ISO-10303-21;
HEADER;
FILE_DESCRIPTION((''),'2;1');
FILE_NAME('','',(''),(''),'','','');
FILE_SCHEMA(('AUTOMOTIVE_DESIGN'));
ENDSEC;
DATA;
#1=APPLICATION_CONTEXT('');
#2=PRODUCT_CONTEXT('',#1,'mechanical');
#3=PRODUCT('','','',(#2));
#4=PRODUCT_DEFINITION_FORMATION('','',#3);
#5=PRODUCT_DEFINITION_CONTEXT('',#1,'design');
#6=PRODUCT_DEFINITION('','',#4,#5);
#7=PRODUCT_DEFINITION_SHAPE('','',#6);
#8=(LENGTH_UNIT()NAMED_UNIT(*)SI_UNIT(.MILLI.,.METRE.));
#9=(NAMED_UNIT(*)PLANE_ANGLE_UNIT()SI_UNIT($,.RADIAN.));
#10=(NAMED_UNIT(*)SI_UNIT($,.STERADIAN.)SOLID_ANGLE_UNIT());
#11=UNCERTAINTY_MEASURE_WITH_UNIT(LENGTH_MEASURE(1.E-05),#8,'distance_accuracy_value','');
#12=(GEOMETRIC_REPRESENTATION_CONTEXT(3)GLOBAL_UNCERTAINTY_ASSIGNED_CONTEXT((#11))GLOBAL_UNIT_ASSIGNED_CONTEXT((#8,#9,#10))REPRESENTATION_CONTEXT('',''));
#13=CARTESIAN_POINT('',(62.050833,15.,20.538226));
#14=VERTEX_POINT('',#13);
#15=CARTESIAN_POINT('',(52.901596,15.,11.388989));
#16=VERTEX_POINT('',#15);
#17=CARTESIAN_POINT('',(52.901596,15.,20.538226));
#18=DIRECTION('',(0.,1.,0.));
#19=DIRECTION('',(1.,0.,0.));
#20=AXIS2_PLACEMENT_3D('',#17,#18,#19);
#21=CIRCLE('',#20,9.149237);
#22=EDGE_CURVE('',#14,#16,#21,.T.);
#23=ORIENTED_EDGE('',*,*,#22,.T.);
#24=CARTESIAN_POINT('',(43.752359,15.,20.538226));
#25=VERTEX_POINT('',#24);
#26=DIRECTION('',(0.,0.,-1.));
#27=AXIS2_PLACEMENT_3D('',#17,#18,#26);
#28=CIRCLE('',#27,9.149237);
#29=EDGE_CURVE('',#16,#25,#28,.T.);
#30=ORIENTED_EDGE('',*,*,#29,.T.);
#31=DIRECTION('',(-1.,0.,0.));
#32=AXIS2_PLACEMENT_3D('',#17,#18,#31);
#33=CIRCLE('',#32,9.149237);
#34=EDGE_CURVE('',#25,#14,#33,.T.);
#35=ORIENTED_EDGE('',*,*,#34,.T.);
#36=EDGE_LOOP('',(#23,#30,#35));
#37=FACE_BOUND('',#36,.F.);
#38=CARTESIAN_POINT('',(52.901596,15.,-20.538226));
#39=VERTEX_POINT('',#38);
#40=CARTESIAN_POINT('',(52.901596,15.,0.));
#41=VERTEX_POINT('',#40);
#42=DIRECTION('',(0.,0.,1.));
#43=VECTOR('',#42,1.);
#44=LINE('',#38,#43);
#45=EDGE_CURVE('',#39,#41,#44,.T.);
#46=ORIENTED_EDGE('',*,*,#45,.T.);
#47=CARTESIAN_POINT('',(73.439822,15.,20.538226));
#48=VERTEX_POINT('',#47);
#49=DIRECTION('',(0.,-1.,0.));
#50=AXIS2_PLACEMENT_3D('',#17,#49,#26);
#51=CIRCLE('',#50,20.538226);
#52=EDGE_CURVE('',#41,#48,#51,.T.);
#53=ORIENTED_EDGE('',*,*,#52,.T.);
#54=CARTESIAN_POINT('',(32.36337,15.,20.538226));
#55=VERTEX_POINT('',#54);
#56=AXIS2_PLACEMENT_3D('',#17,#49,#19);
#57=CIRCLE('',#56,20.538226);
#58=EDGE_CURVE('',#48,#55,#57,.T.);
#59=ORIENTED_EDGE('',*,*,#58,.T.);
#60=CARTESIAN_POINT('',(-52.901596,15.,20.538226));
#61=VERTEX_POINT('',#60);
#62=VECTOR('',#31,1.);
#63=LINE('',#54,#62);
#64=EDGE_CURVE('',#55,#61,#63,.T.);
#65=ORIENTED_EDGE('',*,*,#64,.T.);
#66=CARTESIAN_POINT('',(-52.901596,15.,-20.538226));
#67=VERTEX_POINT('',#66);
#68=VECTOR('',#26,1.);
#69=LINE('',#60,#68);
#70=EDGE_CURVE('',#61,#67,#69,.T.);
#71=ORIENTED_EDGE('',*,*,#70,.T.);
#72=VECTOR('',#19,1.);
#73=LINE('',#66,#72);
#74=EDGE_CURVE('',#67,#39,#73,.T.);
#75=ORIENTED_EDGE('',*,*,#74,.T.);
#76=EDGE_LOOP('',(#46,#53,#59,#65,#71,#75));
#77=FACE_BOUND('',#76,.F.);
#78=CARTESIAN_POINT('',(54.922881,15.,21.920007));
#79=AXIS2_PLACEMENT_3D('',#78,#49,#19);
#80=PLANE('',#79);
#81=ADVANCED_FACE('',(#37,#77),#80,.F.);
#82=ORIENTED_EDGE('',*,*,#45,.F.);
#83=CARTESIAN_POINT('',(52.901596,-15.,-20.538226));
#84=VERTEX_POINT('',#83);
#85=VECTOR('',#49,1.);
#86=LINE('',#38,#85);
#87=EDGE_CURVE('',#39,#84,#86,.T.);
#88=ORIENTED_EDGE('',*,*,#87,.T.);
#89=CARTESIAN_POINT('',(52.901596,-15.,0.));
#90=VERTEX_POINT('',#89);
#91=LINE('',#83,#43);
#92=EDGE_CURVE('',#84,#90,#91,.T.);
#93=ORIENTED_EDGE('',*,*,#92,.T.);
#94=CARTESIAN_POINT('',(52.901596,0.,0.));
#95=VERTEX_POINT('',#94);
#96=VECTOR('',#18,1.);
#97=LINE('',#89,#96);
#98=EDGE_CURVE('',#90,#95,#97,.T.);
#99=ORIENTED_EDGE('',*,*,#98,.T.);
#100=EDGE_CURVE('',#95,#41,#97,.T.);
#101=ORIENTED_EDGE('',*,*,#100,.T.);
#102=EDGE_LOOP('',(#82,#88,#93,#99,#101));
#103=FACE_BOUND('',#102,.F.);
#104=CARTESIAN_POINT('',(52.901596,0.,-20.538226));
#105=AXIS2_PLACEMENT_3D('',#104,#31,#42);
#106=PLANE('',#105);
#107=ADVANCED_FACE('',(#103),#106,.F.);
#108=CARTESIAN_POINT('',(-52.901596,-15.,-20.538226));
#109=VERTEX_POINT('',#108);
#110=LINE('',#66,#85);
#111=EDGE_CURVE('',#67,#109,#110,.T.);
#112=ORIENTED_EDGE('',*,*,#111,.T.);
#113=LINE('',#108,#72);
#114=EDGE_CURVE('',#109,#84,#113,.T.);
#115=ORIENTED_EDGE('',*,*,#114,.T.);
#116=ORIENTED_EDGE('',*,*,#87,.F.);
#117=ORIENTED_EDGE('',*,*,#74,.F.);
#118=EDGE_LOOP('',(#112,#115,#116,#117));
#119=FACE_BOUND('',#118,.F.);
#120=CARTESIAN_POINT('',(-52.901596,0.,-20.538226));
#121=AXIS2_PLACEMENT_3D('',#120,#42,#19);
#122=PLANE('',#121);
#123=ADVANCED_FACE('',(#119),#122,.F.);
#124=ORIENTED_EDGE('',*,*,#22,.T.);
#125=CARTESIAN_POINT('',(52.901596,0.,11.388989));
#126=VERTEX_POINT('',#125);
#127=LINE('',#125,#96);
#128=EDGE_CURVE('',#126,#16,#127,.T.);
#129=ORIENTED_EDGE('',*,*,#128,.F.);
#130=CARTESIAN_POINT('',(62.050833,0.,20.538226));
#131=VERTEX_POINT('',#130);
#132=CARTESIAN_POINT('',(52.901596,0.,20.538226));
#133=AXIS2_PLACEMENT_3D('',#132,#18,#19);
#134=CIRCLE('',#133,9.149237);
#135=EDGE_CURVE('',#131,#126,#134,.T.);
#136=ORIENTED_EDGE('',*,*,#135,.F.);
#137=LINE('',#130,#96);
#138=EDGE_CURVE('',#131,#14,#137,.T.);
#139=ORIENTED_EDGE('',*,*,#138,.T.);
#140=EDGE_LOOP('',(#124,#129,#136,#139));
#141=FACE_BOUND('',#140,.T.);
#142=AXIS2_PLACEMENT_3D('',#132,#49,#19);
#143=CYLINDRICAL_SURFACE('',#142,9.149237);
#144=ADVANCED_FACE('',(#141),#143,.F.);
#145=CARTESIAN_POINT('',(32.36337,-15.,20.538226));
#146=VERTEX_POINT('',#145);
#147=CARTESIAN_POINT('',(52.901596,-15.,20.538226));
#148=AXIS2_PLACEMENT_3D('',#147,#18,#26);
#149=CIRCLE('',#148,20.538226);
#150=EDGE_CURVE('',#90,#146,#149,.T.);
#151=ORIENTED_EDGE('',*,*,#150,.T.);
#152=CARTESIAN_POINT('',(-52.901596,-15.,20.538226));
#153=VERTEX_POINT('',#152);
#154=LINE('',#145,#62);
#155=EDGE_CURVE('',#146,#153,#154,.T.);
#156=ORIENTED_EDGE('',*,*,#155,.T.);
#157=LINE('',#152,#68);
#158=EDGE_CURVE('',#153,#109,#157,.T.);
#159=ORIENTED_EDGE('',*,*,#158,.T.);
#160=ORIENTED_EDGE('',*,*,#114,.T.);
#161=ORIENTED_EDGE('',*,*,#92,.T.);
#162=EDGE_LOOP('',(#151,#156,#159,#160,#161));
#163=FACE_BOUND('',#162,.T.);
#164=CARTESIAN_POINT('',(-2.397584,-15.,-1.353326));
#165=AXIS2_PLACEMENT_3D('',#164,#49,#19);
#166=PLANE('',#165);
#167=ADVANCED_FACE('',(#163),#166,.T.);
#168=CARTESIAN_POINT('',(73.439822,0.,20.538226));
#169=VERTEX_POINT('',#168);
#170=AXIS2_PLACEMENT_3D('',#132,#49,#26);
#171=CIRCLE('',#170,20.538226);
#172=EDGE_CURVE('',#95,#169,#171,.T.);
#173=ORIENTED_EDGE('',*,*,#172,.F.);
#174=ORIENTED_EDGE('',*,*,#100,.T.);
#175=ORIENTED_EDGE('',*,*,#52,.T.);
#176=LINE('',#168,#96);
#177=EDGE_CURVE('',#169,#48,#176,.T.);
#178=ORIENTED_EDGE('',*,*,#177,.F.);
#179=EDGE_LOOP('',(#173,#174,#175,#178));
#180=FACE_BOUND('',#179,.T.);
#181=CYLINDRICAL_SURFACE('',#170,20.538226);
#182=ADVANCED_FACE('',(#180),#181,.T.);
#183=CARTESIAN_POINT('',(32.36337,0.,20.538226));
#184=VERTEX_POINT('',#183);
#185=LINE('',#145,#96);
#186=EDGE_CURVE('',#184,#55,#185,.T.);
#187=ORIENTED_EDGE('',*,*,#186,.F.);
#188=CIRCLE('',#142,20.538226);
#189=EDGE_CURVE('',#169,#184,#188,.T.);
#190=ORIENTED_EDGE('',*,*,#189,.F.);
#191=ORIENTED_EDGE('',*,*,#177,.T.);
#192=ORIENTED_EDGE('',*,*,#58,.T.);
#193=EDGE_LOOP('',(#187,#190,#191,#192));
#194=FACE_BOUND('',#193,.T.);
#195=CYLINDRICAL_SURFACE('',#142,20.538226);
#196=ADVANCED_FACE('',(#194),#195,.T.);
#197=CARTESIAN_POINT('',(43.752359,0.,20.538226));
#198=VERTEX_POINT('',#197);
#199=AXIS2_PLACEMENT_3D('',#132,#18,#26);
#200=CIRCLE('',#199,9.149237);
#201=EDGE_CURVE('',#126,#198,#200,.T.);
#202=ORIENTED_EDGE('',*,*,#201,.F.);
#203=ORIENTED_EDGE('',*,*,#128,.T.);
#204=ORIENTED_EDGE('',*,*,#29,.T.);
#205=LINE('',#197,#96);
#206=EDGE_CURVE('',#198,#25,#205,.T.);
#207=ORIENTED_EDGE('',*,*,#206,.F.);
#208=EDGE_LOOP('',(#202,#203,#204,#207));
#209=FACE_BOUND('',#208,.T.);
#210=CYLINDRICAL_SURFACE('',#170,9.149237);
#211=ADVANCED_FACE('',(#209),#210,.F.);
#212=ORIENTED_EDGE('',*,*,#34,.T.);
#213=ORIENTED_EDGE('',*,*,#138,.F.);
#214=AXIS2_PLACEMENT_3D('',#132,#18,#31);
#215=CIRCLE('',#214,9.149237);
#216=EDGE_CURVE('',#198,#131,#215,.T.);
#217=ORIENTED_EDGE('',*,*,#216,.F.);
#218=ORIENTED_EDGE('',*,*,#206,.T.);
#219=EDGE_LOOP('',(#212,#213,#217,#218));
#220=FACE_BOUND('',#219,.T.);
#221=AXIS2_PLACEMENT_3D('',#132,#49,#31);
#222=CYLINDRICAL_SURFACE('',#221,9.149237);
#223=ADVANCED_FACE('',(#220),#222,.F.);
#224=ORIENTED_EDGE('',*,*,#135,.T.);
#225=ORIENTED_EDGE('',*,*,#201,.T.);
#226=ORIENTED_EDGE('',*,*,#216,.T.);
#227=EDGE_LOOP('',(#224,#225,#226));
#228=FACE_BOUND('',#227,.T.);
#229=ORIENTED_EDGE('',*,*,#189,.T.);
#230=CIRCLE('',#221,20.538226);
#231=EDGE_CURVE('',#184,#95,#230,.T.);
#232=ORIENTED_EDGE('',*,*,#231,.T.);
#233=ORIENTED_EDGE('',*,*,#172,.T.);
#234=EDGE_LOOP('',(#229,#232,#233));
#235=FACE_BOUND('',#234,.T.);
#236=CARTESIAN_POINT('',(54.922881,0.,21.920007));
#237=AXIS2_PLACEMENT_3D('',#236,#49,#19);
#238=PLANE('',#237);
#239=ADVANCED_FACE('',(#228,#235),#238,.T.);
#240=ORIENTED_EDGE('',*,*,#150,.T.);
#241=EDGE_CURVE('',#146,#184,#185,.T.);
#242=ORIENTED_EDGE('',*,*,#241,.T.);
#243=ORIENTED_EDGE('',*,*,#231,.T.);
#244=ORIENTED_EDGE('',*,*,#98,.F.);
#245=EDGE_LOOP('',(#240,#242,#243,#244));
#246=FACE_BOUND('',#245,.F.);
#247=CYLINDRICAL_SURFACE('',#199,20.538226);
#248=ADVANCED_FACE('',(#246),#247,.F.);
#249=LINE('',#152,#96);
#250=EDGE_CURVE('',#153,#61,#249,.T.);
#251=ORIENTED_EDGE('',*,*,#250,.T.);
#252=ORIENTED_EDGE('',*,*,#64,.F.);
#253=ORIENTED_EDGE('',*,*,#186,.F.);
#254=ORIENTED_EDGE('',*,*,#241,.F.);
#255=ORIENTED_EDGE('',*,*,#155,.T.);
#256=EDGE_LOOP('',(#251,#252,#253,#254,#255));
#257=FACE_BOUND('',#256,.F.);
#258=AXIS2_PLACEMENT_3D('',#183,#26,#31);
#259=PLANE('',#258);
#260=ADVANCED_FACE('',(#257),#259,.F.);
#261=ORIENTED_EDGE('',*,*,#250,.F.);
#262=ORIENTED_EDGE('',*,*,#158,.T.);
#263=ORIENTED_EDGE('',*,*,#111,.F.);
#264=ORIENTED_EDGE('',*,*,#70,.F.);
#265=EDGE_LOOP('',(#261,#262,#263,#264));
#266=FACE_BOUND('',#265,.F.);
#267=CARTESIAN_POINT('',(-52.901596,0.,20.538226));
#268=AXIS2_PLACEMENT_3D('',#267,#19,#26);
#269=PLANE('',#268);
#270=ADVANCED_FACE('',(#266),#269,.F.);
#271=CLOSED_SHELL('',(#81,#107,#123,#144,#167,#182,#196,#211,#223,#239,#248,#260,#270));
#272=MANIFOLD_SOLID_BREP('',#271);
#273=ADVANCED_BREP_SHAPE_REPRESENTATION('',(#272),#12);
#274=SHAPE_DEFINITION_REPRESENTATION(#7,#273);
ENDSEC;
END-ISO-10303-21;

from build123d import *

# Parameters (mm, degrees)
F1_DEPTH = 15
F2_DEPTH = 15
F3_DEPTH = 15


with BuildPart() as f1:
    # F0 (on Front) → F1 (new body)
    with BuildSketch(Plane.XZ):
        with BuildLine():
            Line((-52.9015958309, 20.53822577), (-52.9015958309, -20.53822577))
            Line((-52.9015958309, -20.53822577), (52.9015958309, -20.53822577))
            Line((52.9015958309, -20.53822577), (52.9015958309, 0))
            ThreePointArc((52.9015958309, 0), (38.3788771154, 6.0155070545), (32.3633700609, 20.53822577))
            Line((32.3633700609, 20.53822577), (-52.9015958309, 20.53822577))
        make_face()
    extrude(amount=-F1_DEPTH)

    # F2 (add): a face of the model
    f2_faces = [f1.faces().sort_by_distance(p)[0] for p in [
        (-3.6461449369, 0, -0.9755146466),
    ]]
    extrude(f2_faces, amount=F2_DEPTH)

    # F0 (on Front) → F3 (join)
    with BuildSketch(Plane.XZ):
        with BuildLine():
            Line((52.9015958309, 11.3889886989), (52.9015958309, 0))
            ThreePointArc((52.9015958309, 0), (67.4243145464, 6.0155070545), (73.4398216009, 20.53822577))
            ThreePointArc((73.4398216009, 20.53822577), (52.9015958309, 41.07645154), (32.3633700609, 20.53822577))
            Line((32.3633700609, 20.53822577), (43.7523587598, 20.53822577))
            ThreePointArc((43.7523587598, 20.53822577), (52.9015958309, 29.6874628411), (62.050832902, 20.53822577))
            ThreePointArc((62.050832902, 20.53822577), (59.3710834066, 14.0687381943), (52.9015958309, 11.3889886989))
        make_face()
        with BuildLine():
            ThreePointArc((32.3633700609, 20.53822577), (38.3788771154, 6.0155070545), (52.9015958309, 0))
            Line((52.9015958309, 0), (52.9015958309, 11.3889886989))
            ThreePointArc((52.9015958309, 11.3889886989), (46.4321082553, 14.0687381943), (43.7523587598, 20.53822577))
            Line((43.7523587598, 20.53822577), (32.3633700609, 20.53822577))
        make_face()
    extrude(amount=-F3_DEPTH)


solid = f1.part
